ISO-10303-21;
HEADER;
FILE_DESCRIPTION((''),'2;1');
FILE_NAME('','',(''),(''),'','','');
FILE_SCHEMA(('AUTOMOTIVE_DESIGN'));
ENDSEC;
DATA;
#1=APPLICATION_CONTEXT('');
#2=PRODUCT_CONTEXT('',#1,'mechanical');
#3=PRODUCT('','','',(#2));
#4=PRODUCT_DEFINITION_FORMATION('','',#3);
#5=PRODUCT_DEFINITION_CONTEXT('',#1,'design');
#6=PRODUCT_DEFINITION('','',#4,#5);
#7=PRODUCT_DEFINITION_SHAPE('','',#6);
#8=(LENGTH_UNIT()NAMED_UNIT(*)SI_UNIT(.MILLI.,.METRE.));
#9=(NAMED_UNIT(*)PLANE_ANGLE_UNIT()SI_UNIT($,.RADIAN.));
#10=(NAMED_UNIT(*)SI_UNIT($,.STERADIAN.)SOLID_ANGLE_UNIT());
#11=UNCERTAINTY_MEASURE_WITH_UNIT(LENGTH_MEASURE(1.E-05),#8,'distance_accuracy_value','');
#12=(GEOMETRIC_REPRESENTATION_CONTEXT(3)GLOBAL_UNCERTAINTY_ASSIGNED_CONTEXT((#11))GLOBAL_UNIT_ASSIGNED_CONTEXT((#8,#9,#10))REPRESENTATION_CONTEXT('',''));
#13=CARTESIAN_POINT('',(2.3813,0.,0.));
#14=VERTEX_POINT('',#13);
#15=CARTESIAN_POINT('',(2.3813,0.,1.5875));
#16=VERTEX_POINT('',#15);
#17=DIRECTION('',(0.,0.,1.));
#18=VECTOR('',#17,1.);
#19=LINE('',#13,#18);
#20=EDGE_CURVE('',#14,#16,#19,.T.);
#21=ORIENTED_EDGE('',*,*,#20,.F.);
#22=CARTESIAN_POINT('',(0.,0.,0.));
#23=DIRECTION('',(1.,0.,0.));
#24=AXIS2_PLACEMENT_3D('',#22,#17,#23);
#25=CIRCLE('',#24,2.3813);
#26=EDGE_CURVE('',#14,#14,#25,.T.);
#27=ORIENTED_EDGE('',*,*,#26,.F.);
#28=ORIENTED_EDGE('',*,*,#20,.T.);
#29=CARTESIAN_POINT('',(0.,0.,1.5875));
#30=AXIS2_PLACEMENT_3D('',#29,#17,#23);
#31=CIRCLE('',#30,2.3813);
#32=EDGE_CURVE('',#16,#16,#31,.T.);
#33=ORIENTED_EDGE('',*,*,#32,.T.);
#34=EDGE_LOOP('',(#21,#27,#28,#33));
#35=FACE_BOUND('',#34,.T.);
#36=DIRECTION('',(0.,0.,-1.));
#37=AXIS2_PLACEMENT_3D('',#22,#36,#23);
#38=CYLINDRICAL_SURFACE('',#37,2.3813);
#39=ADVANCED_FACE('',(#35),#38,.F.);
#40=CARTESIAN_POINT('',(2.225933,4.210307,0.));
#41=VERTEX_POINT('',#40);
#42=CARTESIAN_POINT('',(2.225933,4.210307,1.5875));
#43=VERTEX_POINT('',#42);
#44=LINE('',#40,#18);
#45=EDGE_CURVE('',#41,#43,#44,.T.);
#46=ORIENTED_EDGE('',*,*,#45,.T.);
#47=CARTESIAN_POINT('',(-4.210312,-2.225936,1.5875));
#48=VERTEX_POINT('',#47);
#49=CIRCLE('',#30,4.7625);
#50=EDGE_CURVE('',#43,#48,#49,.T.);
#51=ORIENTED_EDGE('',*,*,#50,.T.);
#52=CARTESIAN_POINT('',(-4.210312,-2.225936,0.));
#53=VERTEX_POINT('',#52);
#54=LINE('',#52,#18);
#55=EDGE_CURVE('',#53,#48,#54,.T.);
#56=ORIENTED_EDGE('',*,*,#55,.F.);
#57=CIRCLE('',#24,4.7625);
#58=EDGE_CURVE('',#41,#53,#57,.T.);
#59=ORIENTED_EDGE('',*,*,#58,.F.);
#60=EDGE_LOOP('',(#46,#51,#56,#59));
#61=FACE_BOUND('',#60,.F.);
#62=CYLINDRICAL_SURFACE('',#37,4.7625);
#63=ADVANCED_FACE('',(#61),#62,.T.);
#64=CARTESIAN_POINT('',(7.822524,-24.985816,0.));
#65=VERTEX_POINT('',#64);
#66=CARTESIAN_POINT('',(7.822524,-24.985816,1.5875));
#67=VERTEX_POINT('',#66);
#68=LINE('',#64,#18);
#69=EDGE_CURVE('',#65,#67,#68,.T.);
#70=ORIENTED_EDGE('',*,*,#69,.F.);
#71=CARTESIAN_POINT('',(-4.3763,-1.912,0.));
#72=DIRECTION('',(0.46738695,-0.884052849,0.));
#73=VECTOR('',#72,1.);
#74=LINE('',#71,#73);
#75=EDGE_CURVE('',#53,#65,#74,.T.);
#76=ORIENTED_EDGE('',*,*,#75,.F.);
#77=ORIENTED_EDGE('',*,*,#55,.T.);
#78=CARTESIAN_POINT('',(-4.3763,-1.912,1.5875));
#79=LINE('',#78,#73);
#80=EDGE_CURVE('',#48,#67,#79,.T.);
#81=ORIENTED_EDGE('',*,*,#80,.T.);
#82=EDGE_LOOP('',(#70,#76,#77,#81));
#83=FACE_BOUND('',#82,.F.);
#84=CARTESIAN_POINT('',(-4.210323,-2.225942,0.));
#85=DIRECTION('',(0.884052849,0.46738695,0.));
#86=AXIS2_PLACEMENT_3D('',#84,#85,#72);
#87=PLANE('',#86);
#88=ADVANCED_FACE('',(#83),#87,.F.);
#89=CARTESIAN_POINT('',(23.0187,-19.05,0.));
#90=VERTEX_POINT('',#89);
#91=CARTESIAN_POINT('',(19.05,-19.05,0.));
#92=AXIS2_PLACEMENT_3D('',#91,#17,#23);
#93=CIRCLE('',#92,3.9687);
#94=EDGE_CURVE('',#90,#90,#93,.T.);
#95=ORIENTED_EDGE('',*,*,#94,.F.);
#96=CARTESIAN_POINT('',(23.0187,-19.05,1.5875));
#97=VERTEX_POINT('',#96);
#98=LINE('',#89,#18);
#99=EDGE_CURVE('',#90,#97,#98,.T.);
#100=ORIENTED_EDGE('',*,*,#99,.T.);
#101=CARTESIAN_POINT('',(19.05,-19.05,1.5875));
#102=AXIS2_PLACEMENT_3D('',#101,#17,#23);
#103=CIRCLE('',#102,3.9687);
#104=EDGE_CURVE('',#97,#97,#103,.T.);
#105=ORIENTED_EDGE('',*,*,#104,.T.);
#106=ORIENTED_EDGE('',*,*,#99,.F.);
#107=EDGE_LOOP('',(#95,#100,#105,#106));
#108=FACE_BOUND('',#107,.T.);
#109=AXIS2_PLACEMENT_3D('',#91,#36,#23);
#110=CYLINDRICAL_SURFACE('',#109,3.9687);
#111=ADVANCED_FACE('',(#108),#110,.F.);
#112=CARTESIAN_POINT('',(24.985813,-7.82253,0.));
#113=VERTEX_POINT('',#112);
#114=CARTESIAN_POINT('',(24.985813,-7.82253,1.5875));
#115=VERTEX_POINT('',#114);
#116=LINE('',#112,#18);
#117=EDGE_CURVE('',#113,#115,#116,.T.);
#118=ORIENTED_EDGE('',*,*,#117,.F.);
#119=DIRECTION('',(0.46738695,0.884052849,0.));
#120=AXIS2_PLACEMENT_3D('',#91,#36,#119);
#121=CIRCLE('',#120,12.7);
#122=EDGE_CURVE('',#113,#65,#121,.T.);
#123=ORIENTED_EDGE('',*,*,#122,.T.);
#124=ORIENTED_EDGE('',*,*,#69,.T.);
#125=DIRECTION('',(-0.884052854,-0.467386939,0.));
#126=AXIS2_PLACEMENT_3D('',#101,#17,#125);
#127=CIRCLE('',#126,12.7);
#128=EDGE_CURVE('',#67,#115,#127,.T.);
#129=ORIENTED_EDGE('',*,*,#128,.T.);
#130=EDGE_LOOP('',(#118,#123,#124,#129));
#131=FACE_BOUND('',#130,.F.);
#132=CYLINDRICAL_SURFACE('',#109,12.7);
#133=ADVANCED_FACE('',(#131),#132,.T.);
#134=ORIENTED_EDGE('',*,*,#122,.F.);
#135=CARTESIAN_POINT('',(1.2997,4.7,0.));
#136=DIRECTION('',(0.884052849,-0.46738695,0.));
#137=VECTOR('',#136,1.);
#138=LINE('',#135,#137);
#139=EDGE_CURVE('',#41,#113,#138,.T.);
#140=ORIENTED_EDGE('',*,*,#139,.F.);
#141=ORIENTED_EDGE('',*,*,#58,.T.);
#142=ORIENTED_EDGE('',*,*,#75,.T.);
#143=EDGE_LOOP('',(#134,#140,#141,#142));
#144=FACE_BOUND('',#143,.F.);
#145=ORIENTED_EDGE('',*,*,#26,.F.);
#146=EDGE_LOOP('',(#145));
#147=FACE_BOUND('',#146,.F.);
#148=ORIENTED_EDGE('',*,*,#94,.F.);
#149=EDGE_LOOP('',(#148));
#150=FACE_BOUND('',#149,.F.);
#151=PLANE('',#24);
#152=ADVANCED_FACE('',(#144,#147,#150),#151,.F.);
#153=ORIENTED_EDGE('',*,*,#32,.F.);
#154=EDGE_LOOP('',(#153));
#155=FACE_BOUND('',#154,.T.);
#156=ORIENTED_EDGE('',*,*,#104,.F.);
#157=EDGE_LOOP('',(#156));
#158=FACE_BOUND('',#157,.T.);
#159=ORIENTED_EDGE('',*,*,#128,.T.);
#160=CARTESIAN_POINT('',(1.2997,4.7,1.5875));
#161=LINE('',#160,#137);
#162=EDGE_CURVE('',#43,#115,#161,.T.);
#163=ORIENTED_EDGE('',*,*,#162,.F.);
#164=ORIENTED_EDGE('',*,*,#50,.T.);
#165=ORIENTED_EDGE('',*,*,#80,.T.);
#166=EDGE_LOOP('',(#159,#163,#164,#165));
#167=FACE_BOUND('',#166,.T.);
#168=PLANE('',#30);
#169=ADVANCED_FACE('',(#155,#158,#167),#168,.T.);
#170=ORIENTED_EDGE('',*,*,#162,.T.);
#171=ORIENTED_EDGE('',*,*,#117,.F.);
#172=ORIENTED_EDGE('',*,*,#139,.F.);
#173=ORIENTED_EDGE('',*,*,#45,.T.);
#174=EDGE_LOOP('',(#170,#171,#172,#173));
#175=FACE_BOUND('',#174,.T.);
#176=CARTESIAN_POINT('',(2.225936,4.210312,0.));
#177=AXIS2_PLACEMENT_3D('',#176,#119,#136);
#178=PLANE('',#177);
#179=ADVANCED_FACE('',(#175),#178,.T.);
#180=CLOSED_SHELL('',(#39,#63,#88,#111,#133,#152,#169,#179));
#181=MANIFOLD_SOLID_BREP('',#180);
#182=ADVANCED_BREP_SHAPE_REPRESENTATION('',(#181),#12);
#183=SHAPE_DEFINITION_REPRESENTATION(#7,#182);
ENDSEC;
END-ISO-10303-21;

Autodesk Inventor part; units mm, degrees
ref_plane "YZ Plane" through (0, 0, 0) normal (1, 0, 0) x (0, 1, 0)
ref_plane "XZ Plane" through (0, 0, 0) normal (0, 1, 0) x (-1, 0, 0)
ref_plane "XY Plane" through (0, 0, 0) normal (0, 0, 1) x (1, 0, 0)
sketch "Sketch1" plane through (0, 0, 0) normal (0, 0, 1) x (1, 0, 0)
  line L0 (0, 0) -> (0, -19.05) construction
  line L1 (0, -19.05) -> (19.05, -19.05) construction
  circle A0 centre (0, 0) radius 2.3813
  circle A1 centre (19.05, -19.05) radius 3.9687
  circle A2 centre (0, 0) radius 4.7625
  circle A3 centre (19.05, -19.05) radius 12.7
  line L2 (0, 0) -> (19.05, -19.05) construction
  line L3 (-4.3763, -1.912) -> (11.0982, -31.1817)
  line L4 (1.2997, 4.7) -> (30.5694, -10.7745)
  point P0 (7.7583, -1.6771)
  point P1 (-4.2103, -2.2259)
  point P2 (7.8225, -24.9858)
  point P3 (24.9858, -7.8225)
  point P4 (2.2259, 4.2103)
  dimension "d0" = 19.05
  dimension "d1" = 19.05
  dimension "d2" = 4.7625
  dimension "d3" = 7.9375
  dimension "d4" = 9.525
  dimension "d5" = 25.4
extrude "Extrusion1" add sketch "Sketch1" along normal blind 1.5875
properties part number "pto"
